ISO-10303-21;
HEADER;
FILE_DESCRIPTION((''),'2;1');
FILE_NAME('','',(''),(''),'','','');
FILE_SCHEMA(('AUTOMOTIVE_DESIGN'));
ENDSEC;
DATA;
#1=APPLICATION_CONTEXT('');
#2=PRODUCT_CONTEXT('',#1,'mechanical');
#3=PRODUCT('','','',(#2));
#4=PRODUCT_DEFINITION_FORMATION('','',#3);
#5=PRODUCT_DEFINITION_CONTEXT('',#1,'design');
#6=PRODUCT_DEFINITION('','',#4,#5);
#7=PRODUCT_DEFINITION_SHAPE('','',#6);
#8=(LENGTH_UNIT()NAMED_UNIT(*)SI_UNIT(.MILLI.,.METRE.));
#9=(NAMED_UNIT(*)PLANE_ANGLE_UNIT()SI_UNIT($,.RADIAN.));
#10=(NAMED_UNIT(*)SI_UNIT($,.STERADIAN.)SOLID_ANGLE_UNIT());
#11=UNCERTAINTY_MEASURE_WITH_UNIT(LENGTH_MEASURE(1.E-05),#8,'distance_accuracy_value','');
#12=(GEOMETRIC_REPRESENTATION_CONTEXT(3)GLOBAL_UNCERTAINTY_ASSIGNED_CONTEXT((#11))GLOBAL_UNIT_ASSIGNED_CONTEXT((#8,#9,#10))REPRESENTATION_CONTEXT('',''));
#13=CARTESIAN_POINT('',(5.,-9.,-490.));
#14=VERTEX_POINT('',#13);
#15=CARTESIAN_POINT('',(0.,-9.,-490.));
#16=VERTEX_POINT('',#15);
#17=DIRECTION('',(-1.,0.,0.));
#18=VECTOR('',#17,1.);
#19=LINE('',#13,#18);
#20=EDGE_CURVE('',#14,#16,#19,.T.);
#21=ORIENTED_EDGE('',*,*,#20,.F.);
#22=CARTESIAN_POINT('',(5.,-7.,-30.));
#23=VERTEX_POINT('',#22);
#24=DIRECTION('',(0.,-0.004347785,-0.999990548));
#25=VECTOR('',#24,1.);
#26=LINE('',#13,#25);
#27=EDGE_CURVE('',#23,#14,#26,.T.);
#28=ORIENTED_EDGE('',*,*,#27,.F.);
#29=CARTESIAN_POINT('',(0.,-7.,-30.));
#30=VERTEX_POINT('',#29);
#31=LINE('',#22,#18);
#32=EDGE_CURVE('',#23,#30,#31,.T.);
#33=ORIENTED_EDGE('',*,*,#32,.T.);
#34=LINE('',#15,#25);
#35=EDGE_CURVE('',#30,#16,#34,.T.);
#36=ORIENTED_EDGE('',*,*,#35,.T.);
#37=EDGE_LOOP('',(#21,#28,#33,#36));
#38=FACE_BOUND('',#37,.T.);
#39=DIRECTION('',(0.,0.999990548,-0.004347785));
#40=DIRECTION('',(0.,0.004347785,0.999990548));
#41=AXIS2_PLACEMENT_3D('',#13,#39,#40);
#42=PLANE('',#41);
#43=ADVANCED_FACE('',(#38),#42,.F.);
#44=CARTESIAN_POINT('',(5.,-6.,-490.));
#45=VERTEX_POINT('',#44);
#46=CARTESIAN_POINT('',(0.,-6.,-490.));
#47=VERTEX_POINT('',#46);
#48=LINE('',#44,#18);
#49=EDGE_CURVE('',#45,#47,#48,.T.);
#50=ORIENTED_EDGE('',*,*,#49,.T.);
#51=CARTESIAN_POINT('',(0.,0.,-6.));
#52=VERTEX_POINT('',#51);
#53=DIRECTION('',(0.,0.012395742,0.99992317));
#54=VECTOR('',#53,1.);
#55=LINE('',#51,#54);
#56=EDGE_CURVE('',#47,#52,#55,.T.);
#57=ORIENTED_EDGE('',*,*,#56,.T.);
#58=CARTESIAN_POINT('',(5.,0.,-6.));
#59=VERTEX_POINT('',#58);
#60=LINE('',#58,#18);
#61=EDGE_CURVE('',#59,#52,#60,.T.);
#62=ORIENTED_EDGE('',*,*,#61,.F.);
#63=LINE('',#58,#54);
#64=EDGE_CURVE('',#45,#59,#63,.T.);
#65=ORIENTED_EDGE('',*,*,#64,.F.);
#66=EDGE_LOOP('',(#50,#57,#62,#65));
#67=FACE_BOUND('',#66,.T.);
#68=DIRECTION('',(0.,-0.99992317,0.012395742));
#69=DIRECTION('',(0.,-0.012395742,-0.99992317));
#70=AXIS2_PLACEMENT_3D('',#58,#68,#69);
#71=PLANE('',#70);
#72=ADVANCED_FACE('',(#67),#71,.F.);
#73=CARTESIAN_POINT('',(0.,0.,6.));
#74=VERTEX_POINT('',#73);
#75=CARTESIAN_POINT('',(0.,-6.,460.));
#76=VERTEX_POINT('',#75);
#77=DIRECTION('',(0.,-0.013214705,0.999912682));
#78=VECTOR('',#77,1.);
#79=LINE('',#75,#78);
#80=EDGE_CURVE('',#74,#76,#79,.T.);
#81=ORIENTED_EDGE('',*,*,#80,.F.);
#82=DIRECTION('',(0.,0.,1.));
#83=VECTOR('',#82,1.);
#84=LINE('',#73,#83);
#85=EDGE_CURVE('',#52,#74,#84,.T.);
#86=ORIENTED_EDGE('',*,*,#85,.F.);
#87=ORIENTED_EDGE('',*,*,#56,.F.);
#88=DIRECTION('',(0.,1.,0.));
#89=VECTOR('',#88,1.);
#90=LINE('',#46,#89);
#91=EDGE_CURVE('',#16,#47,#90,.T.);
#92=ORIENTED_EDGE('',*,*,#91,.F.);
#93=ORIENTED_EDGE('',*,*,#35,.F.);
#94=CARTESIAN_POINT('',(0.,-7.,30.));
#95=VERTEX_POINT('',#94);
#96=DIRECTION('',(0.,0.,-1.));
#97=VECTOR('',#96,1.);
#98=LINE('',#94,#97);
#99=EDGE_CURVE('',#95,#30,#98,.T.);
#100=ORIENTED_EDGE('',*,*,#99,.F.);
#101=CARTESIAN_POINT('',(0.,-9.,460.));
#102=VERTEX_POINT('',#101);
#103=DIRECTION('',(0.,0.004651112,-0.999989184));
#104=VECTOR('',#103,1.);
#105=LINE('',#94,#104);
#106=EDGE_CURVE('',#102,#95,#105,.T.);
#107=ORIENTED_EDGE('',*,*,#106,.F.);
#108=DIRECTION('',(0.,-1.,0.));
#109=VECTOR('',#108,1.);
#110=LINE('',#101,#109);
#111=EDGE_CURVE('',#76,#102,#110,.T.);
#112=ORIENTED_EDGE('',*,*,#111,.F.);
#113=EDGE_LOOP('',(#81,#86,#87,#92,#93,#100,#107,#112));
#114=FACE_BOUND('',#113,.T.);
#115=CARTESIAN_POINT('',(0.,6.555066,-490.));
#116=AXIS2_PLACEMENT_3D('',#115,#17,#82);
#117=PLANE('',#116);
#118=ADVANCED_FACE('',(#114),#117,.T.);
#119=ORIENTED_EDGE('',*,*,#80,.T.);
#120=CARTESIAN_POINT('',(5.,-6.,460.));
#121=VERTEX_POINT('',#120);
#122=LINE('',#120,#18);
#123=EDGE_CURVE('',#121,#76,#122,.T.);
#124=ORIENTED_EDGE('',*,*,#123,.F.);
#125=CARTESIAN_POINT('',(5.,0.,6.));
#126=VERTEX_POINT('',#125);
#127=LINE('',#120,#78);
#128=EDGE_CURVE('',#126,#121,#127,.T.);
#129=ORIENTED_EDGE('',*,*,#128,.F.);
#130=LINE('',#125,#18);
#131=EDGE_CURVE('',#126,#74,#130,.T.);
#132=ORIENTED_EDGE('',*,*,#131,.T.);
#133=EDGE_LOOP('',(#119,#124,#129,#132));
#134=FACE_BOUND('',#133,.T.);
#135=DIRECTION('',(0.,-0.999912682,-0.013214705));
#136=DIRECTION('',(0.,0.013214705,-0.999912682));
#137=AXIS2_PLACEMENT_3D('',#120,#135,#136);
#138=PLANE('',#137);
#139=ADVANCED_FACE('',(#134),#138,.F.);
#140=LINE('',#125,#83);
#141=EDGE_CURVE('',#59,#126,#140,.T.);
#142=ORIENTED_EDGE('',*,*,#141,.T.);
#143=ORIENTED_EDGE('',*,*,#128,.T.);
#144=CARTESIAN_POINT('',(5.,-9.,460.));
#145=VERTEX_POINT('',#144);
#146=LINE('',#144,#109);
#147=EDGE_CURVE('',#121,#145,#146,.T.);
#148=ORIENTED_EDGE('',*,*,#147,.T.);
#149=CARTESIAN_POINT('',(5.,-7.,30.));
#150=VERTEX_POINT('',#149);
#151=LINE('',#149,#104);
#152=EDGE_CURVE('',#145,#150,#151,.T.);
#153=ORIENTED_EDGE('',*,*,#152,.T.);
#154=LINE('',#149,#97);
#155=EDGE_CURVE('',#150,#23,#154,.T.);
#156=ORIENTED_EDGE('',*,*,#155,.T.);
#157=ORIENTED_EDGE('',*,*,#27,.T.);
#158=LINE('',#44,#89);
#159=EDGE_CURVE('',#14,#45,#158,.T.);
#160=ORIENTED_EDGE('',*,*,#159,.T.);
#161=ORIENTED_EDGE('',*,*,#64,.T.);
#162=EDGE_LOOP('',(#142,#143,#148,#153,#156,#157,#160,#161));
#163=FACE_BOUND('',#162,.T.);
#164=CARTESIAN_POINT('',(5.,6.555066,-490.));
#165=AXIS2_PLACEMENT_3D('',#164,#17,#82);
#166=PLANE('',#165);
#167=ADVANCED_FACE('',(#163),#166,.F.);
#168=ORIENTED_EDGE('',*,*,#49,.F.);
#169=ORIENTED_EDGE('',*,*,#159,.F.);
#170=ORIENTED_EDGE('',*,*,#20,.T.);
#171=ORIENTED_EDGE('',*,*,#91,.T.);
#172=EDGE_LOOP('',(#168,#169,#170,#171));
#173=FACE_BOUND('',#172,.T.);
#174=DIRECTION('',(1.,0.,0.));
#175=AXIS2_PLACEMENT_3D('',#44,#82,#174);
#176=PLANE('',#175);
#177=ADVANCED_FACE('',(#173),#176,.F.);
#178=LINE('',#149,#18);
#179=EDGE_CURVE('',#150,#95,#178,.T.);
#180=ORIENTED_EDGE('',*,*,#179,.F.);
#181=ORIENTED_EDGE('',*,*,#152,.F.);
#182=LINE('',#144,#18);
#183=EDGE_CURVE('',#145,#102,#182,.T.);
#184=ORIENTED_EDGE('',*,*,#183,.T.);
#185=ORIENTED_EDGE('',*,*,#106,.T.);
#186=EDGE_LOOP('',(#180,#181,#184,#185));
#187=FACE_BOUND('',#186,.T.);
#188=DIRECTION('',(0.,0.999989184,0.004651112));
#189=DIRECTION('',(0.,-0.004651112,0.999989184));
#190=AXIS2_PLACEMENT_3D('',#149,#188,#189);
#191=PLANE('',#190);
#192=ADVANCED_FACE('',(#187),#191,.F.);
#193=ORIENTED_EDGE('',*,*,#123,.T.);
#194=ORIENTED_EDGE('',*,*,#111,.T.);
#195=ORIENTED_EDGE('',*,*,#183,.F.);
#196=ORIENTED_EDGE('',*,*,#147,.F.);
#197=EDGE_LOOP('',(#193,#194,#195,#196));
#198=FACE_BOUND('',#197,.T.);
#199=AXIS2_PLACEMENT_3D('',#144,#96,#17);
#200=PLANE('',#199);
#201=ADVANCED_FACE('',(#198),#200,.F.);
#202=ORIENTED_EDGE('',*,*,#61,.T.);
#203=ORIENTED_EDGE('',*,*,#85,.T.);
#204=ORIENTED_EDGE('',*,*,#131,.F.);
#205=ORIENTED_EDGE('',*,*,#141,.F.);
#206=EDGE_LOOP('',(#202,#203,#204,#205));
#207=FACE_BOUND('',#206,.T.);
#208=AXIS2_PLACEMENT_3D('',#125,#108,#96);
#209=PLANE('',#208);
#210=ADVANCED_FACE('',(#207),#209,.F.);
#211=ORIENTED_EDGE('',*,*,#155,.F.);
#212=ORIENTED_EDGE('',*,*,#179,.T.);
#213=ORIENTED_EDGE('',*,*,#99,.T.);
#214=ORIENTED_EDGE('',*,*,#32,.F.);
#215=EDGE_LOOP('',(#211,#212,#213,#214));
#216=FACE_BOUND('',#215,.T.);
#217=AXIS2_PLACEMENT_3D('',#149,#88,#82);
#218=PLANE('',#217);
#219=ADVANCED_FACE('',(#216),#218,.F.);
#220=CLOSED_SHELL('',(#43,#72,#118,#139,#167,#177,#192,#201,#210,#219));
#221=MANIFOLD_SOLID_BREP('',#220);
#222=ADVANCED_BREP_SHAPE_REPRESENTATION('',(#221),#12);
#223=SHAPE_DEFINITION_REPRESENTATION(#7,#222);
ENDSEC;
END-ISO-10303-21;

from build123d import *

# Parameters (mm, degrees)
EXTRUDE1_DEPTH = 5


with BuildPart() as part:
    # Sketch1 → Extrude1 (new body)
    with BuildSketch(Plane(origin=(0, 0, 0), x_dir=(0, 0, -1), z_dir=(1, 0, 0))):
        Polygon((6, 0), (490, -6), (490, -9), (30, -7), (-30, -7), (-460, -9), (-460, -6), (-6, 0), align=None)
    extrude(amount=EXTRUDE1_DEPTH)


solid = part.part
